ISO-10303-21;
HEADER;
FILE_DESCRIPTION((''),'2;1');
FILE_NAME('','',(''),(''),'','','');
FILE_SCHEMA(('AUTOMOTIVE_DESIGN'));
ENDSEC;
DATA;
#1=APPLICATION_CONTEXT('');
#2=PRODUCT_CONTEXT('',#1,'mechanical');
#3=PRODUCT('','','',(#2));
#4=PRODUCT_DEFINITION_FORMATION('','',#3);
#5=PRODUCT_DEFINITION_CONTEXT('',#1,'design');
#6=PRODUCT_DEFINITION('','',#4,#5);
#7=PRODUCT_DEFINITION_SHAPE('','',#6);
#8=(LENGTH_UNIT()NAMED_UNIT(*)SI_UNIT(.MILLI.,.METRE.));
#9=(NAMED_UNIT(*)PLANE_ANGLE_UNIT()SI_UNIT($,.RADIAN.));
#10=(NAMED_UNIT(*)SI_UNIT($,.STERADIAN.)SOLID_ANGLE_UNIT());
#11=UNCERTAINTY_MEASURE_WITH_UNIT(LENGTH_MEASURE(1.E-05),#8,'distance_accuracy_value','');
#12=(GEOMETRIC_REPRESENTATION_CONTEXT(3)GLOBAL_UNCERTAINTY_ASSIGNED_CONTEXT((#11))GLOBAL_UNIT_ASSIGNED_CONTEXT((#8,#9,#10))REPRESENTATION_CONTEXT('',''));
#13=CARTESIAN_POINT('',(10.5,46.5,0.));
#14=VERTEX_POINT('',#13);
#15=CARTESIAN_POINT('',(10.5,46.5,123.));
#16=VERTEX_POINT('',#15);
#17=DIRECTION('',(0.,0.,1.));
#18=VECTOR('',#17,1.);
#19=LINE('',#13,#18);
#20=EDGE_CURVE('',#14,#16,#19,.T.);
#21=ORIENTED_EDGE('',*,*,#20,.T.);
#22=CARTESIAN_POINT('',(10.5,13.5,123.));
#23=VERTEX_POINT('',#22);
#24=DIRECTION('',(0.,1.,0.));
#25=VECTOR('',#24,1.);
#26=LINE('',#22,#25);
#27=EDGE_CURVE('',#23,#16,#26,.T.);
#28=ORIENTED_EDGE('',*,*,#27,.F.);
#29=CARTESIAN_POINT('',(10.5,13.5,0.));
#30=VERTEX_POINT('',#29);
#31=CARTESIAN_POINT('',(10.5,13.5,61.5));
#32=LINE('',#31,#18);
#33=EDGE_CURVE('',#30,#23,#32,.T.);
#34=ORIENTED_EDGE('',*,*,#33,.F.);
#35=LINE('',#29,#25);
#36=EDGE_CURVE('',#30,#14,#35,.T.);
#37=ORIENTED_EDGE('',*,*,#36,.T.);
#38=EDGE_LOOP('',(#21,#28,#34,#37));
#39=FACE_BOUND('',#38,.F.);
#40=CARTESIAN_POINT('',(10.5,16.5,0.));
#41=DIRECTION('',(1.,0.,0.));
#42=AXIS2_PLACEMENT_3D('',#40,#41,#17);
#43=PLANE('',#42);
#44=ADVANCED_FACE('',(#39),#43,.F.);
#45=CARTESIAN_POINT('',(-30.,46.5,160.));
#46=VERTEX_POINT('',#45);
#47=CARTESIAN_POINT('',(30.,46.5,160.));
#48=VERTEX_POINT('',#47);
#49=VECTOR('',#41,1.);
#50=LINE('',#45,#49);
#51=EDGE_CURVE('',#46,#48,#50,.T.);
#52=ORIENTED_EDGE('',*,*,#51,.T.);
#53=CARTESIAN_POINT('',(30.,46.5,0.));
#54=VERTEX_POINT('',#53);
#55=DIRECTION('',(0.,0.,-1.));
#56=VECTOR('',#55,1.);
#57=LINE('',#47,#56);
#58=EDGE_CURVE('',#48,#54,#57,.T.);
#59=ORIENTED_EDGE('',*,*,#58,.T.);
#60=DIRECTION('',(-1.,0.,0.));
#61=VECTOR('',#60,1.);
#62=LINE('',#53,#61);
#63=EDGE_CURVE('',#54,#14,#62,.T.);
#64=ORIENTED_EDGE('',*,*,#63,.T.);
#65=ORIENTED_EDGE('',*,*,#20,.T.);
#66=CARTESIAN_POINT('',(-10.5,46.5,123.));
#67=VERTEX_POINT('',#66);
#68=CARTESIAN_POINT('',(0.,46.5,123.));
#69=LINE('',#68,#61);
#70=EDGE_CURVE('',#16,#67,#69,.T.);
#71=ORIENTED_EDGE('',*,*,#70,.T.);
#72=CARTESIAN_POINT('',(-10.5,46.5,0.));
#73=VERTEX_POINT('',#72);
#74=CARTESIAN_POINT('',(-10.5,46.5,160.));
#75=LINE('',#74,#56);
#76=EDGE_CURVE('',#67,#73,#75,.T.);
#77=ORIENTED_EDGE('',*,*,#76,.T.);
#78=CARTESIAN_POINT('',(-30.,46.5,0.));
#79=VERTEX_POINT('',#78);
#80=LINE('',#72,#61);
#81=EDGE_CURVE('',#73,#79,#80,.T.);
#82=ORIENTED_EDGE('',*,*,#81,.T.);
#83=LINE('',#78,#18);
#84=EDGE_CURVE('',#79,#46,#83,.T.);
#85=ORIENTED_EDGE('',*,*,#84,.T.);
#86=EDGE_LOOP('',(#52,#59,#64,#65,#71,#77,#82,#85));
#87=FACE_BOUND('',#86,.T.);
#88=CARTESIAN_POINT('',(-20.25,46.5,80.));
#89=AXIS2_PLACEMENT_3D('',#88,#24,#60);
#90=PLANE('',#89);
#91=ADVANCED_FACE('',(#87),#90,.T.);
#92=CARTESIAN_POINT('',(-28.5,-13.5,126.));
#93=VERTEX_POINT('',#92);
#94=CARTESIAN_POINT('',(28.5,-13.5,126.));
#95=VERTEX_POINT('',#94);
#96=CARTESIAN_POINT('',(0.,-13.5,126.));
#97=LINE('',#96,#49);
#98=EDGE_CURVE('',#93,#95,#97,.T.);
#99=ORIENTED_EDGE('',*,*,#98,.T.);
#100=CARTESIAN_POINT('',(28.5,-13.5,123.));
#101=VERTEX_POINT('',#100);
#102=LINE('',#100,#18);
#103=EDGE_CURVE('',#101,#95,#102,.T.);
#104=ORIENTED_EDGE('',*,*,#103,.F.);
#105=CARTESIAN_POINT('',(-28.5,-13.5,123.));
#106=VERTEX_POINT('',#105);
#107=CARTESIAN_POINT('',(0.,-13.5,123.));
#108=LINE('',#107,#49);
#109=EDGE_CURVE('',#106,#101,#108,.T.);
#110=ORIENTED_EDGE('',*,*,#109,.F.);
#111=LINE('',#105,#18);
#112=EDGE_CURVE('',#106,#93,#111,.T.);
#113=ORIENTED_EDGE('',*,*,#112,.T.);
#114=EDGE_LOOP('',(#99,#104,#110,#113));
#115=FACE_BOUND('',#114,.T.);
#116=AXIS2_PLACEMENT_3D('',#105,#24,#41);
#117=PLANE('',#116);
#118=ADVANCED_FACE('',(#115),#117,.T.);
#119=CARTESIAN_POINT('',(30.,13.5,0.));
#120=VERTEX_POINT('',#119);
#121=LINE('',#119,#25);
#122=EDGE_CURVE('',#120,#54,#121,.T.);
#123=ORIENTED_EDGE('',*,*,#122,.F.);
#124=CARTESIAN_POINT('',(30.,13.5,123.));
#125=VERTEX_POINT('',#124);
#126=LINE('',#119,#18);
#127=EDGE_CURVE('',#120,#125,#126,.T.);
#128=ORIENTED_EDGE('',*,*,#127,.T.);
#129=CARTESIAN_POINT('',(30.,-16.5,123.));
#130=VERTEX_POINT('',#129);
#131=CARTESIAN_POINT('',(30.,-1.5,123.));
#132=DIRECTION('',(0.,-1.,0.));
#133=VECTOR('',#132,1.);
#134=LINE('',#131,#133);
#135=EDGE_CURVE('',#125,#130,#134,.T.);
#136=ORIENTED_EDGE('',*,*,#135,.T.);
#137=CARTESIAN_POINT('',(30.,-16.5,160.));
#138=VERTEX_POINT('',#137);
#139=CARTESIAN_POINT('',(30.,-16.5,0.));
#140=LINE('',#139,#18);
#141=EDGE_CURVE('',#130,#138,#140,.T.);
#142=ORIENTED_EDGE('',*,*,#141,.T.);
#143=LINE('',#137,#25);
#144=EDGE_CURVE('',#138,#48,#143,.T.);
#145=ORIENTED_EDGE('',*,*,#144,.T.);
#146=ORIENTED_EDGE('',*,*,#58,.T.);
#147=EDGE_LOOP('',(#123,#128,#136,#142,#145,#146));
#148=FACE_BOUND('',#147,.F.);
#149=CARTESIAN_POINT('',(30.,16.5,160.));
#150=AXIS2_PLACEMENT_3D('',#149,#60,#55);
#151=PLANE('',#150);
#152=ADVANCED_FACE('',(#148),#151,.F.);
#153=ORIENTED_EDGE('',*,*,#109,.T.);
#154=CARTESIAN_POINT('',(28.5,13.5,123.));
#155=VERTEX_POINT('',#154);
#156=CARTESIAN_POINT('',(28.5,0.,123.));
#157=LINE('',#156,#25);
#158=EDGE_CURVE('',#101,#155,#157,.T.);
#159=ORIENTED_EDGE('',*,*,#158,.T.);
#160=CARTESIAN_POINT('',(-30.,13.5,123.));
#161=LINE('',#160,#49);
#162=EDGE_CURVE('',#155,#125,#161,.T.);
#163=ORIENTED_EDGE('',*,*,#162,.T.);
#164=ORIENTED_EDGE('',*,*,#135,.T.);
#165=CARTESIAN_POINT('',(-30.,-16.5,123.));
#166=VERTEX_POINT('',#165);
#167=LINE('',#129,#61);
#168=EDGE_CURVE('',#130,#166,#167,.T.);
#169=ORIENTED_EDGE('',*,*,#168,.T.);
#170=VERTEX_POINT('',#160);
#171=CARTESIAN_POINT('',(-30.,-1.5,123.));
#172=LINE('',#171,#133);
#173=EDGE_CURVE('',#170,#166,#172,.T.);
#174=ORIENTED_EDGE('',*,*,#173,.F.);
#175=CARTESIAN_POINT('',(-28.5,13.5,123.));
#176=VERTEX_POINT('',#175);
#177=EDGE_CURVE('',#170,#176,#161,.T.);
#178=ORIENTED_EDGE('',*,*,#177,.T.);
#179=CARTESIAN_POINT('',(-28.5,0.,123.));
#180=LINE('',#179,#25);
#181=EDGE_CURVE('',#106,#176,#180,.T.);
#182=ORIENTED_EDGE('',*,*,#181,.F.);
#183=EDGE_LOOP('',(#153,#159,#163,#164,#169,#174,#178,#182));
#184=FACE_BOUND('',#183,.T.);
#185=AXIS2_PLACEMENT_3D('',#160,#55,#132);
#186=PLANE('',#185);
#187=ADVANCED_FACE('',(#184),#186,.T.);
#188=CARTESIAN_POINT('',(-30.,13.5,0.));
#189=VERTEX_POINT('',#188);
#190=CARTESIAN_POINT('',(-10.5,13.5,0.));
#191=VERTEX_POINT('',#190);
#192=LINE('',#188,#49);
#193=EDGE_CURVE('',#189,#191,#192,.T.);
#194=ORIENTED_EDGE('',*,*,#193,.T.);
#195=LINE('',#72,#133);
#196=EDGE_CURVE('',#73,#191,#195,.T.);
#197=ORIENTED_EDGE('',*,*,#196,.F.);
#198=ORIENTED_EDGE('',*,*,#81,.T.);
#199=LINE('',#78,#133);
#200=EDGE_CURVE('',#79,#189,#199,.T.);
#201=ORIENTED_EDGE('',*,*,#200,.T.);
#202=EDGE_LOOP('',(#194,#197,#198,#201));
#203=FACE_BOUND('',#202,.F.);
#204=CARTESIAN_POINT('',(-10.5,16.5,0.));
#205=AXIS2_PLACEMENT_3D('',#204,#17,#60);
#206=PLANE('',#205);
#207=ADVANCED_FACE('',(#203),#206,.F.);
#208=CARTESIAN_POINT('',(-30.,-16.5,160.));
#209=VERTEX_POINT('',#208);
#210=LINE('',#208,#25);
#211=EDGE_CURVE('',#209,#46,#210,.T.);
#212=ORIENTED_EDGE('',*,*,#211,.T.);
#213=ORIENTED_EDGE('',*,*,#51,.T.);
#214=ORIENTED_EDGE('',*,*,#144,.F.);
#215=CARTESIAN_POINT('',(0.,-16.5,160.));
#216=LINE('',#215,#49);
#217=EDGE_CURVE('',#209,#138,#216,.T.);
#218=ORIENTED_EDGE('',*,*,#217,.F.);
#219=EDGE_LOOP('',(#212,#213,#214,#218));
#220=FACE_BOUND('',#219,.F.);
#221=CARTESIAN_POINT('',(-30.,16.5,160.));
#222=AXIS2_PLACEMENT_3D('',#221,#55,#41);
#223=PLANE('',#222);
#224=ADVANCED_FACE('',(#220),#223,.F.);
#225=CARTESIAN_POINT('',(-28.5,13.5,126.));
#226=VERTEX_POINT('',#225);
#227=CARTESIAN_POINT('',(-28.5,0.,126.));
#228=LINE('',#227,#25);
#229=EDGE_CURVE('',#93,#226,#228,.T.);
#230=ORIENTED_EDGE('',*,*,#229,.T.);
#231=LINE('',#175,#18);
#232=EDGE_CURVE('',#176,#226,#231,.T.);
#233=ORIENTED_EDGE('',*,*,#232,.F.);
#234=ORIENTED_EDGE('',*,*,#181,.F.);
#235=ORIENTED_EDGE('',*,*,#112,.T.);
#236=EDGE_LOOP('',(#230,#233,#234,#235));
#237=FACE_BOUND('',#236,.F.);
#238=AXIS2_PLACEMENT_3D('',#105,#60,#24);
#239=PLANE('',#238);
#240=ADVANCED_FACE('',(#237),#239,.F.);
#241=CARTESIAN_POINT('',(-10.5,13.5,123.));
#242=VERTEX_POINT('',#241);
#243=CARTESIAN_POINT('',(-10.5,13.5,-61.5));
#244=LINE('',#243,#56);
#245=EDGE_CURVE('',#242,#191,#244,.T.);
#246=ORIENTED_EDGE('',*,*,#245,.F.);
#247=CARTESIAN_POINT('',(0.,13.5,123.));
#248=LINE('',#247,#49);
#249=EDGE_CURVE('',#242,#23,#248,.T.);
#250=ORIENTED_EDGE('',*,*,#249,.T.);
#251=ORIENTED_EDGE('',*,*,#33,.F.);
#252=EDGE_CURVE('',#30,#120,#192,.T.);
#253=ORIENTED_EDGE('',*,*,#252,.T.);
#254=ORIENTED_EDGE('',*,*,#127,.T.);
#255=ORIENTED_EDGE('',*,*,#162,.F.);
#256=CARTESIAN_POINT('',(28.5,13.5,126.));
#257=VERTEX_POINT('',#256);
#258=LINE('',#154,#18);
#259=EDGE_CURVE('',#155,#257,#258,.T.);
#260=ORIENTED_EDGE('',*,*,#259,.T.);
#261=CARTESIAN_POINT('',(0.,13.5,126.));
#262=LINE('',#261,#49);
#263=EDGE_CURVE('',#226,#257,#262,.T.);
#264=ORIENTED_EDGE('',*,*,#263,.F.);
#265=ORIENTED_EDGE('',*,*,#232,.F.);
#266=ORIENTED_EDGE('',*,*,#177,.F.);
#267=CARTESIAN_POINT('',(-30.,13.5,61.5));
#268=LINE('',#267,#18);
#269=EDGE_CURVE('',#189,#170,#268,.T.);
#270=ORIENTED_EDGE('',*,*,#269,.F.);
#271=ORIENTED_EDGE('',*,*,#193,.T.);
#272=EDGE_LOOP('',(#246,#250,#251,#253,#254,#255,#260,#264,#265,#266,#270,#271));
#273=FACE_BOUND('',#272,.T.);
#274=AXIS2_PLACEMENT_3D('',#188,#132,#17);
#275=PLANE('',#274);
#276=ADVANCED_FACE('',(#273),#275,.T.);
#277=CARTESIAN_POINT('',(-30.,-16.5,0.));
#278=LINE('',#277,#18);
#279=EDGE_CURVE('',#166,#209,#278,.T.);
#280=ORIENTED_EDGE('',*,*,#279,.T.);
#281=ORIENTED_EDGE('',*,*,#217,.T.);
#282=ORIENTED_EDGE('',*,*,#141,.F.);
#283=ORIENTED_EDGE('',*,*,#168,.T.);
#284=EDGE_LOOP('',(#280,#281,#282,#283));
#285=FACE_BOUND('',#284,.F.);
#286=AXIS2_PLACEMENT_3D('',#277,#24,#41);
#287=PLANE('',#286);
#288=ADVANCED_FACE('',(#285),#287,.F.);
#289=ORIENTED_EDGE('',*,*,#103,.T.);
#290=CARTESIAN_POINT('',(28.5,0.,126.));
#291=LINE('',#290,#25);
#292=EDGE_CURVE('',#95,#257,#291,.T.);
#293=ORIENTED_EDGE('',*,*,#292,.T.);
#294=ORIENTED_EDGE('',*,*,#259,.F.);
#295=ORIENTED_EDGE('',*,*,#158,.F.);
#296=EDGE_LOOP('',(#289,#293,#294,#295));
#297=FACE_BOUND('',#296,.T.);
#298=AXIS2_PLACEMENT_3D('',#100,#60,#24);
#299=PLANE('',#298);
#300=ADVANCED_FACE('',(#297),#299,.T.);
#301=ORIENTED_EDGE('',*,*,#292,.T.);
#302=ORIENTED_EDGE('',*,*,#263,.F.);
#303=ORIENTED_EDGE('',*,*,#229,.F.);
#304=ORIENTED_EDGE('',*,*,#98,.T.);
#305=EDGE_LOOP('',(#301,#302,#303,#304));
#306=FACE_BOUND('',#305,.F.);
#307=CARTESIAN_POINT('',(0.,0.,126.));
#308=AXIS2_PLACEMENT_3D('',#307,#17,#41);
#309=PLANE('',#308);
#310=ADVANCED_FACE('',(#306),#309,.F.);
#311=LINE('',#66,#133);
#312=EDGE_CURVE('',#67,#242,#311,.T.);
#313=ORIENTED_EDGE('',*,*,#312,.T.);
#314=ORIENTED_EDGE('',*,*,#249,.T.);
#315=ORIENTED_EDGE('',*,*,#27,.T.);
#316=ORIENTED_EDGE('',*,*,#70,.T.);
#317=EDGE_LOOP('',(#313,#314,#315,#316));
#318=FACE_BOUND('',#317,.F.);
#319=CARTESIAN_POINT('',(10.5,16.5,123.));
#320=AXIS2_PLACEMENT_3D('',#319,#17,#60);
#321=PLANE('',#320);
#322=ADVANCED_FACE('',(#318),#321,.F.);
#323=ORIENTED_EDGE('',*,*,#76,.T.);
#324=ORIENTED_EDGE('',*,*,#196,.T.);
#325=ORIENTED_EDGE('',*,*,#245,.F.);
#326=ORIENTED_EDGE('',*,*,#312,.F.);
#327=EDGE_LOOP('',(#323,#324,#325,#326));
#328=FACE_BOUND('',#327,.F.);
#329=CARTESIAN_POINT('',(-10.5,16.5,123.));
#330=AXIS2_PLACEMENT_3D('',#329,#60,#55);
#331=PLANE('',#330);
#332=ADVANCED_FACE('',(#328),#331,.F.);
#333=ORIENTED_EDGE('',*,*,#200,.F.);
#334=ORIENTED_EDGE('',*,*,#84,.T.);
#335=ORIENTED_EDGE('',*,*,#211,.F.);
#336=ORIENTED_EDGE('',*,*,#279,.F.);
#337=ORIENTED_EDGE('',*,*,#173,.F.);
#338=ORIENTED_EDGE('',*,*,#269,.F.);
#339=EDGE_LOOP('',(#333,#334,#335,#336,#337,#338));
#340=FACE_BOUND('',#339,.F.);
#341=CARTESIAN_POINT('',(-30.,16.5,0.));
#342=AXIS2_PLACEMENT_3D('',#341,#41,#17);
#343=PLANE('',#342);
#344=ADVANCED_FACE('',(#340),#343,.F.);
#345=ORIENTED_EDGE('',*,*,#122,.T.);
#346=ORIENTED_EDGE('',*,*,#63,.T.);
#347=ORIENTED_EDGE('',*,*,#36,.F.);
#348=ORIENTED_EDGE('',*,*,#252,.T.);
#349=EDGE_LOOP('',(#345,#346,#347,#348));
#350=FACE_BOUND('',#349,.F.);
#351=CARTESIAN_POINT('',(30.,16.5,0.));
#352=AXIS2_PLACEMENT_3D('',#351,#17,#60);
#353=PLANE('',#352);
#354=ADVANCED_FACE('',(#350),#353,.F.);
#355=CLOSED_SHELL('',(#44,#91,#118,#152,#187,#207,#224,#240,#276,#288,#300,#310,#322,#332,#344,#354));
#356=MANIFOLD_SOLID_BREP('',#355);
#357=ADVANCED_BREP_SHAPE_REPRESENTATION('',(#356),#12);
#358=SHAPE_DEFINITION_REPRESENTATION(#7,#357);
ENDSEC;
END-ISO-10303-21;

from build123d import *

# Parameters (mm, degrees)
F0_W      = 60
F0_H      = 33
F1_DEPTH  = 160
F2_W      = 30
F2_H      = 123
F3_DEPTH  = 60.001
F4_W      = 21
F4_H      = 123
F5_DEPTH  = 33.001
F7_W      = 57
F7_H      = 27
F8_DEPTH  = 3
F9_W      = 21
F9_H      = 37
F10_DEPTH = 30


with BuildPart() as f1:
    # F0 (on Top) → F1 (new body)
    with BuildSketch(Plane.XY):
        Rectangle(F0_W, F0_H)
    extrude(amount=F1_DEPTH)

    # F2 (on face) → F3 (cut, through all)
    with BuildSketch(Plane(origin=(-30, 0, 0), x_dir=(0, -1, 0), z_dir=(-1, 0, 0))):
        with Locations((1.5, 61.5)):
            Rectangle(F2_W, F2_H)
    extrude(amount=-F3_DEPTH, mode=Mode.SUBTRACT)

    # F4 (on face) → F5 (cut, through all)
    with BuildSketch(Plane(origin=(0, 16.5, 0), x_dir=(-1, 0, 0), z_dir=(0, 1, 0))):
        with Locations((0, -61.5)):
            Rectangle(F4_W, F4_H)
        with Locations((0, 61.5)):
            Rectangle(F4_W, F4_H)
    extrude(amount=-F5_DEPTH, mode=Mode.SUBTRACT)

    # F7 (on offset) → F8 (cut)
    with BuildSketch(Plane.XY.offset(123)):
        Rectangle(F7_W, F7_H)
    extrude(amount=F8_DEPTH, mode=Mode.SUBTRACT)

    # F9 (on face) → F10 (join)
    with BuildSketch(Plane(origin=(0, 16.5, 0), x_dir=(-1, 0, 0), z_dir=(0, 1, 0))):
        Polygon((30, 0), (30, 160), (10.5, 160), (10.5, 123), (10.5, 0), align=None)
        with Locations((0, 141.5)):
            Rectangle(F9_W, F9_H)
        Polygon((-10.5, 123), (-10.5, 160), (-30, 160), (-30, 0), (-10.5, 0), align=None)
    extrude(amount=F10_DEPTH)


solid = f1.part
